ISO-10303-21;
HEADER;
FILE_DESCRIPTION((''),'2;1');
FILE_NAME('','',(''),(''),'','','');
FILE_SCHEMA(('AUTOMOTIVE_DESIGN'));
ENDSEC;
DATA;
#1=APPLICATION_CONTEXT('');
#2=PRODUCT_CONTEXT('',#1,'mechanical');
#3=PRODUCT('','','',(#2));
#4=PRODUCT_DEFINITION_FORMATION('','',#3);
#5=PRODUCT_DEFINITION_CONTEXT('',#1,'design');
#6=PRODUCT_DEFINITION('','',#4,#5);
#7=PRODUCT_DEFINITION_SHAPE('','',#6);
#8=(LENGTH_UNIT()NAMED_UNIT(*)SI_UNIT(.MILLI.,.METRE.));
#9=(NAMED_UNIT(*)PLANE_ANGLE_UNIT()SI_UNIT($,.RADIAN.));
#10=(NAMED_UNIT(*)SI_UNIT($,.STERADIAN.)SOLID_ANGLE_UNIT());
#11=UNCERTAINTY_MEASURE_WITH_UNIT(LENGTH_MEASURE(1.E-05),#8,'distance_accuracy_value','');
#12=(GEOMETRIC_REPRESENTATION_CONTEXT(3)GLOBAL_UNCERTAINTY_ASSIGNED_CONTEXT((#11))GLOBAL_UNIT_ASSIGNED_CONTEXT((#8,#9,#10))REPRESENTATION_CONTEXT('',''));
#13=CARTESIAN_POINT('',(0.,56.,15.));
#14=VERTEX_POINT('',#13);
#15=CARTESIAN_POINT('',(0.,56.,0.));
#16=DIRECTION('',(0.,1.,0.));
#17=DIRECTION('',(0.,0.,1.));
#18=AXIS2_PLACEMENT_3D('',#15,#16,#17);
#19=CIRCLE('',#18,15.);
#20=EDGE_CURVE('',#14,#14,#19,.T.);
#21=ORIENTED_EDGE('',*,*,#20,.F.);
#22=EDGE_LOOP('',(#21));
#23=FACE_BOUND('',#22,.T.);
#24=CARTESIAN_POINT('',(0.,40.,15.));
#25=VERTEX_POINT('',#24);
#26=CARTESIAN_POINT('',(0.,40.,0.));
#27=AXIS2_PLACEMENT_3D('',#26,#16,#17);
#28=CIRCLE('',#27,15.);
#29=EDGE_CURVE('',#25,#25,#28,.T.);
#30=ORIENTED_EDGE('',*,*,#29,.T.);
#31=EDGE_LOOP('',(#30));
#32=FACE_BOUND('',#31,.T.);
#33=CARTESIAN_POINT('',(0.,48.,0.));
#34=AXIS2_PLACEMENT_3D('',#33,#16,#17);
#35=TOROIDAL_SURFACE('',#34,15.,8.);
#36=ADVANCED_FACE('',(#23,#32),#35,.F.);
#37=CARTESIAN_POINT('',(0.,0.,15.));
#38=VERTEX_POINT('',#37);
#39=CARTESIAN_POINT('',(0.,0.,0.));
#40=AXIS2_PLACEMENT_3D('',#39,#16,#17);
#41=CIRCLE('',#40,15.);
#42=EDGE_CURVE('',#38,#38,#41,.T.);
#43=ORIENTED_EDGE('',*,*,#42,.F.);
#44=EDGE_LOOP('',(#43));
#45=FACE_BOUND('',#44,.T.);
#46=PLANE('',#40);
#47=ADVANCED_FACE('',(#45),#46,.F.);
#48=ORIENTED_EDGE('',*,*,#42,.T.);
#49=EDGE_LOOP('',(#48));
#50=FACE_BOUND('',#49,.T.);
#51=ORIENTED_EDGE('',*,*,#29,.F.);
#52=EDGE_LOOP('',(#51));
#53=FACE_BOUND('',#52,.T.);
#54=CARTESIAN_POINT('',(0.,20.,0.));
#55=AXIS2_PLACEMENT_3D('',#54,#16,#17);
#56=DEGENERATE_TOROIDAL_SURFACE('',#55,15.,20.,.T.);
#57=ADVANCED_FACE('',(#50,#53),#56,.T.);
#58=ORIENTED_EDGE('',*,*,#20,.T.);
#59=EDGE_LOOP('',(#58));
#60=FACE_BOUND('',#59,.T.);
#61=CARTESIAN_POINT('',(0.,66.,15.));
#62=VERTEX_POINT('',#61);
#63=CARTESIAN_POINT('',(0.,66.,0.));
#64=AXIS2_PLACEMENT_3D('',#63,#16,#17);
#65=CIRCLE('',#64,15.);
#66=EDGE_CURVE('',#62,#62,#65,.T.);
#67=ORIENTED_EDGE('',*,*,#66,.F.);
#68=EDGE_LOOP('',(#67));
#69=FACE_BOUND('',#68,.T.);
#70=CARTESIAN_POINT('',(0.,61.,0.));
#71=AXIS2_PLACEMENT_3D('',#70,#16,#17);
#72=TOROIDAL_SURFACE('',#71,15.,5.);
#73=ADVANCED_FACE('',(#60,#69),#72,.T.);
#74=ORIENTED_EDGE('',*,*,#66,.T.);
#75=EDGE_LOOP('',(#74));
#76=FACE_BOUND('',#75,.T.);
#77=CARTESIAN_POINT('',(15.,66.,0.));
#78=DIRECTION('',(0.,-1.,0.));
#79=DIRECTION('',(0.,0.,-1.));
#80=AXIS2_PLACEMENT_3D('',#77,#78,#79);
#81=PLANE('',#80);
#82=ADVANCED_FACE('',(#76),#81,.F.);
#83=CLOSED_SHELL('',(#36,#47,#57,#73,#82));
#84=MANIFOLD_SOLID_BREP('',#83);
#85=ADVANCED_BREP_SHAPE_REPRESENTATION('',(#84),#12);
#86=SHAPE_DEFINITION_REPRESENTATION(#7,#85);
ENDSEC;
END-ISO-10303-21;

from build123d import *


with BuildPart() as part:
    # Skica1 → Rotovat1 (revolve)
    with BuildSketch(Plane.XY):
        with BuildLine():
            Line((0, 0), (15, 0))
            ThreePointArc((15, 0), (35, 20), (15, 40))
            ThreePointArc((15, 40), (7, 48), (15, 56))
            ThreePointArc((15, 56), (20, 61), (15, 66))
            Line((15, 66), (0, 66))
            Line((0, 66), (0, 0))
        make_face()
    revolve(axis=Axis((0, 66, 0), (0, -1, 0)))


solid = part.part
